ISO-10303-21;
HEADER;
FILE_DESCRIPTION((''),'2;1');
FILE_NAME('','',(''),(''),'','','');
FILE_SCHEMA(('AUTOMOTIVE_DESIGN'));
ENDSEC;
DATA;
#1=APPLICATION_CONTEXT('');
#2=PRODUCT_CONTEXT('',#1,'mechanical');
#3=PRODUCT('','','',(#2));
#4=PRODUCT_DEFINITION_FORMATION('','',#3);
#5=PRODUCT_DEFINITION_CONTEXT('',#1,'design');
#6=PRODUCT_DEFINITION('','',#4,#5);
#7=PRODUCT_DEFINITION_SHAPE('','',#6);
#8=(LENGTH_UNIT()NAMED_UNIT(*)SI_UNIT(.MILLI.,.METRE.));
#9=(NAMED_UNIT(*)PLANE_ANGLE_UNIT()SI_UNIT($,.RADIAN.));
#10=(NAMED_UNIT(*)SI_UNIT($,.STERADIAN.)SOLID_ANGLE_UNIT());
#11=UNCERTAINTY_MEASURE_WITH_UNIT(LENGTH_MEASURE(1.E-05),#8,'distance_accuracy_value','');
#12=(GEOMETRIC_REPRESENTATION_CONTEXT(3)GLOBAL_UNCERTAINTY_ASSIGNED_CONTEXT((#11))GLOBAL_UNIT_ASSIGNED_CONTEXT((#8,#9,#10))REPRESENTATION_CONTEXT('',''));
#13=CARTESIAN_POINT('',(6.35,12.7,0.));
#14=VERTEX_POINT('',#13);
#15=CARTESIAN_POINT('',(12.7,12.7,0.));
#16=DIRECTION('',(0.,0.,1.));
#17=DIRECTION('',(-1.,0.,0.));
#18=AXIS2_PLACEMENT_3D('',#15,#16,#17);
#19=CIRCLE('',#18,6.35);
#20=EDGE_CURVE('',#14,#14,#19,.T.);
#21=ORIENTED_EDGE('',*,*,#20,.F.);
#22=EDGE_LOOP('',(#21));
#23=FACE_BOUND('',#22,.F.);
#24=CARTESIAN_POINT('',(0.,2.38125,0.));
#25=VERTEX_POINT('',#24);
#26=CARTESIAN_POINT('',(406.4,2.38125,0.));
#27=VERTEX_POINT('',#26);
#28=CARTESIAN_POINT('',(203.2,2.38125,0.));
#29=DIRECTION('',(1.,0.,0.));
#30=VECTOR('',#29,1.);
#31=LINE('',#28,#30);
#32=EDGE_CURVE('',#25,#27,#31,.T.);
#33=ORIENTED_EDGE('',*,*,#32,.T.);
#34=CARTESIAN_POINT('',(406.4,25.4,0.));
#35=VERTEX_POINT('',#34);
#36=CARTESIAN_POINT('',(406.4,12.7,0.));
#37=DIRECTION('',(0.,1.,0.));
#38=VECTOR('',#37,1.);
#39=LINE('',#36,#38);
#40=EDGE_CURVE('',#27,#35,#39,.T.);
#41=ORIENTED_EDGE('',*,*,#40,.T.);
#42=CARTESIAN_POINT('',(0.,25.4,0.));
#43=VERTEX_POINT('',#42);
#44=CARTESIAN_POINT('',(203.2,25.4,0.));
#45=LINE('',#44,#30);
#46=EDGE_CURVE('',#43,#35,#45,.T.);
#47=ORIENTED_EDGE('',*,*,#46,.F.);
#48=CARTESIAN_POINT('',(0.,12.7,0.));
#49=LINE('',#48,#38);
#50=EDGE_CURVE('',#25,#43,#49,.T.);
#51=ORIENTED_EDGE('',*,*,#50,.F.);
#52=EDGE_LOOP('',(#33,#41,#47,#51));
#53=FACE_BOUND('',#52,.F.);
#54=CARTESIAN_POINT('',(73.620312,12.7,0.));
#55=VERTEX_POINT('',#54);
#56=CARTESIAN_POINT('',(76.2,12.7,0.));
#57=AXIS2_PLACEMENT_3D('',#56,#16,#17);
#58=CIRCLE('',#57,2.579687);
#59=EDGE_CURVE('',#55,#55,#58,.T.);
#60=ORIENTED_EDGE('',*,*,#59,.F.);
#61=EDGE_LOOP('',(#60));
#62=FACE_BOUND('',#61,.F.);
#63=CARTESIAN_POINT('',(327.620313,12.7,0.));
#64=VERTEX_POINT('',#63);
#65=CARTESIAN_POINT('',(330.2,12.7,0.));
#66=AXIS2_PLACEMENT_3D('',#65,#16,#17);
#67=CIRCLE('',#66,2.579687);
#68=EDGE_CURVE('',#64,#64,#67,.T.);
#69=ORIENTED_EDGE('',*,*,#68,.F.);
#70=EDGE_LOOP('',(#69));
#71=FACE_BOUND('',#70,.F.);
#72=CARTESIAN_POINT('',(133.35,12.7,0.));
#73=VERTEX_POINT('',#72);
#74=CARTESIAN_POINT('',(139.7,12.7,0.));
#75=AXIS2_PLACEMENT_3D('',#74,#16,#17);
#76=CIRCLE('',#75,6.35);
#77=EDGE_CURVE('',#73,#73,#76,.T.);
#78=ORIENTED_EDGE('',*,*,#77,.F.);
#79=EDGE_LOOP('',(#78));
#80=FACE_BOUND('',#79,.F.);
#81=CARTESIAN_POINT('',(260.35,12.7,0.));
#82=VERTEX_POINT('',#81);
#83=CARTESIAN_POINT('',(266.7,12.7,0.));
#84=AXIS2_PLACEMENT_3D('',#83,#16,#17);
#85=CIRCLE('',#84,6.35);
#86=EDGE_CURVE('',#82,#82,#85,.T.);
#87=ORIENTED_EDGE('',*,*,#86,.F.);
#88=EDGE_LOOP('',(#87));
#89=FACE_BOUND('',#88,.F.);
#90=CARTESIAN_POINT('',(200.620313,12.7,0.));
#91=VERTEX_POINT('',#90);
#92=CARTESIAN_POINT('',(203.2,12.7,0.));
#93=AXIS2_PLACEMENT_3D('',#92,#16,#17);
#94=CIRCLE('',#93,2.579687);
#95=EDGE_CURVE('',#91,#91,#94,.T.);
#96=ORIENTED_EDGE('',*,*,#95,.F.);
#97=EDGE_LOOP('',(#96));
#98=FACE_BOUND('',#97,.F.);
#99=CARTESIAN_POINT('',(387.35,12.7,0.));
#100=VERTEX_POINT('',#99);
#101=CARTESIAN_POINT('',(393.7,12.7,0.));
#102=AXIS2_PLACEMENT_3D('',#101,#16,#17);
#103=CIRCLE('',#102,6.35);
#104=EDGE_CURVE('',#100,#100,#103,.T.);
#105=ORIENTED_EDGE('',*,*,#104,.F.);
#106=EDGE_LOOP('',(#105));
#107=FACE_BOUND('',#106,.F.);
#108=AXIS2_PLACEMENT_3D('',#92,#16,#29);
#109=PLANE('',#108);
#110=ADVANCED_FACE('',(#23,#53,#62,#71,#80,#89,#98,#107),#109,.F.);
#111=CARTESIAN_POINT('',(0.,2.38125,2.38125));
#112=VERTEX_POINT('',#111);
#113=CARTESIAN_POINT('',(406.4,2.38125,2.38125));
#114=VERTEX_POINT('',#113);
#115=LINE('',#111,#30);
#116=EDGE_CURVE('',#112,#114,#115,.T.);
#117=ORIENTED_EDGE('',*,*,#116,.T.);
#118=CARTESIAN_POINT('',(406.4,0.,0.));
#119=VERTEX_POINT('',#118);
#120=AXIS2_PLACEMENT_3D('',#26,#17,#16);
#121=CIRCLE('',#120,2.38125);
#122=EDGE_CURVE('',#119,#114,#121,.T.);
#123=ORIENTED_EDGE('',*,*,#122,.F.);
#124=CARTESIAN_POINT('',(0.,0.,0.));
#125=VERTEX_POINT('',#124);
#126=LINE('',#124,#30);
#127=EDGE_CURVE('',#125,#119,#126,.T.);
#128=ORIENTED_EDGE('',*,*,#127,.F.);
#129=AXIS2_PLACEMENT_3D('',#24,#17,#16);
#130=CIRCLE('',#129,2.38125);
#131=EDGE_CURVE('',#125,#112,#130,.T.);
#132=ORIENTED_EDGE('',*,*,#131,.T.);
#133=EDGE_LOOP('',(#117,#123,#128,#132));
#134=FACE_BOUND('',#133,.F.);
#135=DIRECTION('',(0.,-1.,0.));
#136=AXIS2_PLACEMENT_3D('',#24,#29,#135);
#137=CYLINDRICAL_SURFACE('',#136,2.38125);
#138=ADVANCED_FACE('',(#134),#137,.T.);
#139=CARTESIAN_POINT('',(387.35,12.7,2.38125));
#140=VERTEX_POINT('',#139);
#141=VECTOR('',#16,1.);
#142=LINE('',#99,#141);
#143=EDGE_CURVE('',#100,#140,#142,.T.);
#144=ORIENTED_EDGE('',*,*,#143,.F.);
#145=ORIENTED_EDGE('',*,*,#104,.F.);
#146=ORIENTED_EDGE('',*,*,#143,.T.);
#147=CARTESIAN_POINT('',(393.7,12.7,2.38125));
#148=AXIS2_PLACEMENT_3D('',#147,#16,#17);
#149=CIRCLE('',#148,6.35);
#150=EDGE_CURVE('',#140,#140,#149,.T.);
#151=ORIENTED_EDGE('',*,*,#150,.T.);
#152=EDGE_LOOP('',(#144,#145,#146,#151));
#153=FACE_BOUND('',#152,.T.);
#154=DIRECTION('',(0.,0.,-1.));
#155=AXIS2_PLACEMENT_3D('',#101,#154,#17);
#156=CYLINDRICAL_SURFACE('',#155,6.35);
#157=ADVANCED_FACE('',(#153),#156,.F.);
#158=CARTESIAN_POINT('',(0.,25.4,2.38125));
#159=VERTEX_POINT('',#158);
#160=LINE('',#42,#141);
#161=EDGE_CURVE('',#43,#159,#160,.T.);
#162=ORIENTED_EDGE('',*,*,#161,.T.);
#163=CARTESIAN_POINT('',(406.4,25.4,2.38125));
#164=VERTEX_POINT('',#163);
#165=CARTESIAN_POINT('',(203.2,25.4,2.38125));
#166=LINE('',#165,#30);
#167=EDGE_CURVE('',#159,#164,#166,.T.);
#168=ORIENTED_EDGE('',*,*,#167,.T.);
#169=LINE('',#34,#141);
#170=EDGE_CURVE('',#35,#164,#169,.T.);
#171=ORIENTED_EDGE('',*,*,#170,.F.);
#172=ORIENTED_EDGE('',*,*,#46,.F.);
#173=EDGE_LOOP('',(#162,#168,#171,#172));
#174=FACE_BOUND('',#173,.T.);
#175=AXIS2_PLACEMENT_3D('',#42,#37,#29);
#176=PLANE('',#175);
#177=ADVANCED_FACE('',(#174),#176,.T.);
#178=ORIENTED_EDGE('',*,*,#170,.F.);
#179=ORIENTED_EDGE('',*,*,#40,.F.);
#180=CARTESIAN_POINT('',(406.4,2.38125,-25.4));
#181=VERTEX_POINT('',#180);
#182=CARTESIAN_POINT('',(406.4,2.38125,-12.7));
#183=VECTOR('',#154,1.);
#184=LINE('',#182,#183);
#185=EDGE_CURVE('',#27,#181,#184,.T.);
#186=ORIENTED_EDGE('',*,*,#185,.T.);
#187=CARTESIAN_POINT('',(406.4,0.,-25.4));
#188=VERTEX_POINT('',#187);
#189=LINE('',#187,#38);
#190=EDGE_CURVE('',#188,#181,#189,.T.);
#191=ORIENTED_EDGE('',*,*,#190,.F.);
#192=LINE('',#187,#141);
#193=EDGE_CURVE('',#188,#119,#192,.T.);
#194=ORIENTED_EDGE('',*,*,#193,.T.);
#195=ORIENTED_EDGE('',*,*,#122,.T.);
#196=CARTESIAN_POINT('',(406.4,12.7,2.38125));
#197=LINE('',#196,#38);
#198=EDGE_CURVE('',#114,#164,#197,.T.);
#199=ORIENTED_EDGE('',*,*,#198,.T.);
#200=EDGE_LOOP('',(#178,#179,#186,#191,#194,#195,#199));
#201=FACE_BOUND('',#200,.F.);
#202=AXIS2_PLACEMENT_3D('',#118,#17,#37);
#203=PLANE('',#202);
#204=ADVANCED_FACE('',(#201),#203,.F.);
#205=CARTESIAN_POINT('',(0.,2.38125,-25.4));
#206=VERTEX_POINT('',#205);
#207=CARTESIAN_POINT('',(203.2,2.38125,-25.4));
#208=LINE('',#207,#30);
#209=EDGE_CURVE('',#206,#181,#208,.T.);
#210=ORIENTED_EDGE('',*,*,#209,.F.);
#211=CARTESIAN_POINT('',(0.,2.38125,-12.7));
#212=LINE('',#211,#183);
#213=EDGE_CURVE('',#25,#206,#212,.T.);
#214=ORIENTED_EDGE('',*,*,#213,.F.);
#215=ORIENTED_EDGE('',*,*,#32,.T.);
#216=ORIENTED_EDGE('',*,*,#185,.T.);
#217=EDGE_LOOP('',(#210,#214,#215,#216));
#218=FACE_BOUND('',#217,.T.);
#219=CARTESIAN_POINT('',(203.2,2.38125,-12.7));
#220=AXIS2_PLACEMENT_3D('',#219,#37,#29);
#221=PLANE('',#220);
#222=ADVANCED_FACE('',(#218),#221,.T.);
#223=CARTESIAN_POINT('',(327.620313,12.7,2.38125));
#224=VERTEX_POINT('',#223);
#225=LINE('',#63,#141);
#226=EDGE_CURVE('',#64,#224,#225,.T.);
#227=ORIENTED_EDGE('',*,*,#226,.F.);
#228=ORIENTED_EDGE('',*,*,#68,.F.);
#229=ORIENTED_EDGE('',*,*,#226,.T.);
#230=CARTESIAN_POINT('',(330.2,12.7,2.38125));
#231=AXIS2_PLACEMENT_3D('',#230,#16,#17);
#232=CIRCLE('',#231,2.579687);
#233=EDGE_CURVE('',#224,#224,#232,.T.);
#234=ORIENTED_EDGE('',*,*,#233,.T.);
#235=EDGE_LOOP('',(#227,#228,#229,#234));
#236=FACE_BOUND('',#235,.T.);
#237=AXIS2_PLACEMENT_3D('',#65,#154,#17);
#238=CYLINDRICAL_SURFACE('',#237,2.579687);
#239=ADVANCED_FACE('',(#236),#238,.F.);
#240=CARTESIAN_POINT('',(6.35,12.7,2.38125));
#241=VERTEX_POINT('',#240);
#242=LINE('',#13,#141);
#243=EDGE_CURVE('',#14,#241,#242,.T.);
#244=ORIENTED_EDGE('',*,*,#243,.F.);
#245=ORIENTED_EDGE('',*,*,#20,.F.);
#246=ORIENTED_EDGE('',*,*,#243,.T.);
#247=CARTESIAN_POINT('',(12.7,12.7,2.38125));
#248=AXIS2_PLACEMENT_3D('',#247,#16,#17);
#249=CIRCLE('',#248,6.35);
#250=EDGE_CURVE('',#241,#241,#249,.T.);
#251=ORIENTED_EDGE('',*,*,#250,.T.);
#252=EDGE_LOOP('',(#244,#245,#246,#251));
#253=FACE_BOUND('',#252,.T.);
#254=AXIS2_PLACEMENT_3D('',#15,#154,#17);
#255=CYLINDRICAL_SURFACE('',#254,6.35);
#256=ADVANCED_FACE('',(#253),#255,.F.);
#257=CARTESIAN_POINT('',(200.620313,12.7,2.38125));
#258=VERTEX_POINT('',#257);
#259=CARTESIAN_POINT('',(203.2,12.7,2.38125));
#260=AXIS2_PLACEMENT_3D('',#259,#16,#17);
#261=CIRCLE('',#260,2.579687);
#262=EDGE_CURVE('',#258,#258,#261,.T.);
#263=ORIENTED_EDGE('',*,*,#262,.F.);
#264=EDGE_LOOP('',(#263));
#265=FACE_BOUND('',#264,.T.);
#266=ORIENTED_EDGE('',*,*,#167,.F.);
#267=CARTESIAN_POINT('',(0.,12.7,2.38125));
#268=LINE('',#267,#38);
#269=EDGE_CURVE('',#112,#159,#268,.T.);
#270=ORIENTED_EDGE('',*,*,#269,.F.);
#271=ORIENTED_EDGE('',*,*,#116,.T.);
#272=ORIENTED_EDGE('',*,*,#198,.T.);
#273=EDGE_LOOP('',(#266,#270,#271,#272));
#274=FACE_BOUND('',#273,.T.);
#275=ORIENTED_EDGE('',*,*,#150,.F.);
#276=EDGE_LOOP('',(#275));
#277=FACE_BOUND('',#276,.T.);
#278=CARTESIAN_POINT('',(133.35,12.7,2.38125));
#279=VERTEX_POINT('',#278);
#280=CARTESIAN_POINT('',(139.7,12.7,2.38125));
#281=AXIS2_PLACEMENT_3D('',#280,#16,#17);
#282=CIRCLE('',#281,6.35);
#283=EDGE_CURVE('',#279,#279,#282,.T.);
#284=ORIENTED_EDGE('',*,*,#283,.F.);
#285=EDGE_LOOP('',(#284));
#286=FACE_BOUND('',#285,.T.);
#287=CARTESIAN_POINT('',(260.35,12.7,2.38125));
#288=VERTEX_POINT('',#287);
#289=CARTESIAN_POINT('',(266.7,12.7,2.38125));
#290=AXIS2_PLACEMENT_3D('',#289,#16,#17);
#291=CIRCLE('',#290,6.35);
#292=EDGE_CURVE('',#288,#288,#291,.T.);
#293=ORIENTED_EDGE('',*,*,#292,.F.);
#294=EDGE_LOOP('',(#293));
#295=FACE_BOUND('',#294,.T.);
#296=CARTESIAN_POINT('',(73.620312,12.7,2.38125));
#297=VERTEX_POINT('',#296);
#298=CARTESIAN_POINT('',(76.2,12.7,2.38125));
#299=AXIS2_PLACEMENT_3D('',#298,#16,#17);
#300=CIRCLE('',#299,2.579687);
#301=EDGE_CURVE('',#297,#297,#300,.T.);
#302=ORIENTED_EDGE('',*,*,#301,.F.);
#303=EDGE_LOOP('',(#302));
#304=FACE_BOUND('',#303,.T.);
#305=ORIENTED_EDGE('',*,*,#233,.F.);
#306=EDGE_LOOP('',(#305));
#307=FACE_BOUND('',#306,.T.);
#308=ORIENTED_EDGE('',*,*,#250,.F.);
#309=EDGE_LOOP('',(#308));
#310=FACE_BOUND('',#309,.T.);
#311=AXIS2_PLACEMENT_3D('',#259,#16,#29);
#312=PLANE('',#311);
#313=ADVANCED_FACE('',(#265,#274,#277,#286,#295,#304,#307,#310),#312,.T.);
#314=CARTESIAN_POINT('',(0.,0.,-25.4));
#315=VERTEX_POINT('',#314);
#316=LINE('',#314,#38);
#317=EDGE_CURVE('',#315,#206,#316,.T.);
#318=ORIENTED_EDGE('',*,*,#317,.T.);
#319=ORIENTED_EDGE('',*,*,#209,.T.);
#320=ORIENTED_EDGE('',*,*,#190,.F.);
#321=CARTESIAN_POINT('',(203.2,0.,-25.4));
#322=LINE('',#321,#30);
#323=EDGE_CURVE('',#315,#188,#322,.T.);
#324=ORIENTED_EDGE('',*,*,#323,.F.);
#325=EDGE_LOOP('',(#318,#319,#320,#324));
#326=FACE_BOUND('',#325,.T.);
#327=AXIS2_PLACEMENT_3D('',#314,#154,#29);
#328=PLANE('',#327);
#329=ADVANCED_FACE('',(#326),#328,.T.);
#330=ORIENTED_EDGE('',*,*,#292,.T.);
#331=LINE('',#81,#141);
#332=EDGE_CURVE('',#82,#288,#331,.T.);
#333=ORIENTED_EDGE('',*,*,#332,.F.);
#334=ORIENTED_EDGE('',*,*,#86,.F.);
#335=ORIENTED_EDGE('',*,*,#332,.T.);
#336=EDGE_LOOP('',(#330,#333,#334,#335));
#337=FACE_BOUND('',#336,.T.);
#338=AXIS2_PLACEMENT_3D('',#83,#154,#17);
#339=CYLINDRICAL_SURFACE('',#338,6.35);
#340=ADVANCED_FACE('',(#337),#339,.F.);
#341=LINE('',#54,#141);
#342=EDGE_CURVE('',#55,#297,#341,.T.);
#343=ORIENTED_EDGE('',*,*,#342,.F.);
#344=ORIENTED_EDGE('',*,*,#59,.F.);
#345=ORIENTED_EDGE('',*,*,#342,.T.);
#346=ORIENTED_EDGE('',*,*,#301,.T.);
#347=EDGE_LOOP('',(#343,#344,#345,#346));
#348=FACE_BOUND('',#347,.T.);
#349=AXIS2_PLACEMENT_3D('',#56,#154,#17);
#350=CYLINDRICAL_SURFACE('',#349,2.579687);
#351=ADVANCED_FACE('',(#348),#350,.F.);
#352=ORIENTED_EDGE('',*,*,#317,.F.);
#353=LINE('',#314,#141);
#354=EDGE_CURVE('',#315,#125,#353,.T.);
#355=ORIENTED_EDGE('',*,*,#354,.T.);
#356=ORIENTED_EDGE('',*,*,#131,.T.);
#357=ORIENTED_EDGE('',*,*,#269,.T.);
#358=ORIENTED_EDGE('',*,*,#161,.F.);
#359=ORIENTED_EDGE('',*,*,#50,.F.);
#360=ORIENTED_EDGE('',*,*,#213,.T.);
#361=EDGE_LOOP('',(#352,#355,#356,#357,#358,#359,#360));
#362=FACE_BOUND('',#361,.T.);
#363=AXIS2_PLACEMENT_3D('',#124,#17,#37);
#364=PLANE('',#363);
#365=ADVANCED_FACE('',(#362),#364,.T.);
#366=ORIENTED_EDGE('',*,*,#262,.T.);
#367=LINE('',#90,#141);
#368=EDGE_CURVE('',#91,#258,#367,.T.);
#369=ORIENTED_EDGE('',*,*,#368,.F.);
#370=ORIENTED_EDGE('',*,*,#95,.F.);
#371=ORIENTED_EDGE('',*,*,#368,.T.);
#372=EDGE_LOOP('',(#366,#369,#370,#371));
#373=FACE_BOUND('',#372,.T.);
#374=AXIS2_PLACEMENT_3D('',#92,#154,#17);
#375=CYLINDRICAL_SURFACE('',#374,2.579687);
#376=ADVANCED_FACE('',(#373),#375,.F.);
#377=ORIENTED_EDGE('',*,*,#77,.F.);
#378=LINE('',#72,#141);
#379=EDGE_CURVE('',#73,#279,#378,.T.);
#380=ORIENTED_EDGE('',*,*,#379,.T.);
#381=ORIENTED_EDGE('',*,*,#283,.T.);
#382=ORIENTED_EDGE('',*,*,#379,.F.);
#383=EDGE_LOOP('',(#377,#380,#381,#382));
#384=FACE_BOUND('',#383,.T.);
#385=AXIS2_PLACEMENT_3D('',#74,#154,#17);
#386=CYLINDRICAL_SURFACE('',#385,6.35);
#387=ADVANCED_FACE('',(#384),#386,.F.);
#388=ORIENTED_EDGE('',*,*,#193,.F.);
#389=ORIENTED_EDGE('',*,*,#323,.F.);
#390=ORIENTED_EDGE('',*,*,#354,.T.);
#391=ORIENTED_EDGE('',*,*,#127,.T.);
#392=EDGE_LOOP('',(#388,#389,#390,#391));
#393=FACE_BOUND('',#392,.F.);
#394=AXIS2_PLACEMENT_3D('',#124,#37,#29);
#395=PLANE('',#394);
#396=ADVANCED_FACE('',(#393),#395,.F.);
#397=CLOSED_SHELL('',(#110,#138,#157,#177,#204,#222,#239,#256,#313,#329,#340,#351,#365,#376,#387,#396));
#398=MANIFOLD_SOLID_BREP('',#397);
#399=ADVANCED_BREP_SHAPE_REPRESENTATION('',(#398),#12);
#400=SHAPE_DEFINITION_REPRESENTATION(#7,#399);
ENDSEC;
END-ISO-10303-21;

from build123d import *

# Parameters (mm, degrees)
SKETCH1_W           = 406.4
SKETCH1_H           = 25.4
BOSS_EXTRUDE1_DEPTH = 2.38125
SKETCH2_W           = 406.4
SKETCH2_H           = 25.4
SKETCH2_R           = 6.35
SKETCH2_R_2         = 2.5796875
BOSS_EXTRUDE2_DEPTH = 2.38125
FILLET1_R           = 2.38125


with BuildPart() as part:
    # Sketch1 → Boss-Extrude1 (new body)
    with BuildSketch(Plane(origin=(0, 0, 0), x_dir=(1, 0, 0), z_dir=(0, 1, 0))):
        with Locations((203.2, 12.7)):
            Rectangle(SKETCH1_W, SKETCH1_H)
    extrude(amount=BOSS_EXTRUDE1_DEPTH)

    # Sketch2 → Boss-Extrude2 (add)
    with BuildSketch(Plane.XY):
        with Locations((203.2, 12.7)):
            Rectangle(SKETCH2_W, SKETCH2_H)
        with Locations(Location((12.7, 12.7, 0), (0, 0, 180))):
            Circle(SKETCH2_R, mode=Mode.SUBTRACT)
        with Locations(Location((139.7, 12.7, 0), (0, 0, 180))):
            Circle(SKETCH2_R, mode=Mode.SUBTRACT)
        with Locations(Location((266.7, 12.7, 0), (0, 0, 180))):
            Circle(SKETCH2_R, mode=Mode.SUBTRACT)
        with Locations(Location((393.7, 12.7, 0), (0, 0, 180))):
            Circle(SKETCH2_R, mode=Mode.SUBTRACT)
        with Locations(Location((76.2, 12.7, 0), (0, 0, 180))):
            Circle(SKETCH2_R_2, mode=Mode.SUBTRACT)
        with Locations(Location((203.2, 12.7, 0), (0, 0, 180))):
            Circle(SKETCH2_R_2, mode=Mode.SUBTRACT)
        with Locations(Location((330.2, 12.7, 0), (0, 0, 180))):
            Circle(SKETCH2_R_2, mode=Mode.SUBTRACT)
    extrude(amount=BOSS_EXTRUDE2_DEPTH)

    # Fillet1
    fillet1_edges = [part.edges().sort_by_distance(p)[0] for p in [
        (203.2, 0, 2.38125),
    ]]
    fillet(fillet1_edges, radius=FILLET1_R)


solid = part.part
